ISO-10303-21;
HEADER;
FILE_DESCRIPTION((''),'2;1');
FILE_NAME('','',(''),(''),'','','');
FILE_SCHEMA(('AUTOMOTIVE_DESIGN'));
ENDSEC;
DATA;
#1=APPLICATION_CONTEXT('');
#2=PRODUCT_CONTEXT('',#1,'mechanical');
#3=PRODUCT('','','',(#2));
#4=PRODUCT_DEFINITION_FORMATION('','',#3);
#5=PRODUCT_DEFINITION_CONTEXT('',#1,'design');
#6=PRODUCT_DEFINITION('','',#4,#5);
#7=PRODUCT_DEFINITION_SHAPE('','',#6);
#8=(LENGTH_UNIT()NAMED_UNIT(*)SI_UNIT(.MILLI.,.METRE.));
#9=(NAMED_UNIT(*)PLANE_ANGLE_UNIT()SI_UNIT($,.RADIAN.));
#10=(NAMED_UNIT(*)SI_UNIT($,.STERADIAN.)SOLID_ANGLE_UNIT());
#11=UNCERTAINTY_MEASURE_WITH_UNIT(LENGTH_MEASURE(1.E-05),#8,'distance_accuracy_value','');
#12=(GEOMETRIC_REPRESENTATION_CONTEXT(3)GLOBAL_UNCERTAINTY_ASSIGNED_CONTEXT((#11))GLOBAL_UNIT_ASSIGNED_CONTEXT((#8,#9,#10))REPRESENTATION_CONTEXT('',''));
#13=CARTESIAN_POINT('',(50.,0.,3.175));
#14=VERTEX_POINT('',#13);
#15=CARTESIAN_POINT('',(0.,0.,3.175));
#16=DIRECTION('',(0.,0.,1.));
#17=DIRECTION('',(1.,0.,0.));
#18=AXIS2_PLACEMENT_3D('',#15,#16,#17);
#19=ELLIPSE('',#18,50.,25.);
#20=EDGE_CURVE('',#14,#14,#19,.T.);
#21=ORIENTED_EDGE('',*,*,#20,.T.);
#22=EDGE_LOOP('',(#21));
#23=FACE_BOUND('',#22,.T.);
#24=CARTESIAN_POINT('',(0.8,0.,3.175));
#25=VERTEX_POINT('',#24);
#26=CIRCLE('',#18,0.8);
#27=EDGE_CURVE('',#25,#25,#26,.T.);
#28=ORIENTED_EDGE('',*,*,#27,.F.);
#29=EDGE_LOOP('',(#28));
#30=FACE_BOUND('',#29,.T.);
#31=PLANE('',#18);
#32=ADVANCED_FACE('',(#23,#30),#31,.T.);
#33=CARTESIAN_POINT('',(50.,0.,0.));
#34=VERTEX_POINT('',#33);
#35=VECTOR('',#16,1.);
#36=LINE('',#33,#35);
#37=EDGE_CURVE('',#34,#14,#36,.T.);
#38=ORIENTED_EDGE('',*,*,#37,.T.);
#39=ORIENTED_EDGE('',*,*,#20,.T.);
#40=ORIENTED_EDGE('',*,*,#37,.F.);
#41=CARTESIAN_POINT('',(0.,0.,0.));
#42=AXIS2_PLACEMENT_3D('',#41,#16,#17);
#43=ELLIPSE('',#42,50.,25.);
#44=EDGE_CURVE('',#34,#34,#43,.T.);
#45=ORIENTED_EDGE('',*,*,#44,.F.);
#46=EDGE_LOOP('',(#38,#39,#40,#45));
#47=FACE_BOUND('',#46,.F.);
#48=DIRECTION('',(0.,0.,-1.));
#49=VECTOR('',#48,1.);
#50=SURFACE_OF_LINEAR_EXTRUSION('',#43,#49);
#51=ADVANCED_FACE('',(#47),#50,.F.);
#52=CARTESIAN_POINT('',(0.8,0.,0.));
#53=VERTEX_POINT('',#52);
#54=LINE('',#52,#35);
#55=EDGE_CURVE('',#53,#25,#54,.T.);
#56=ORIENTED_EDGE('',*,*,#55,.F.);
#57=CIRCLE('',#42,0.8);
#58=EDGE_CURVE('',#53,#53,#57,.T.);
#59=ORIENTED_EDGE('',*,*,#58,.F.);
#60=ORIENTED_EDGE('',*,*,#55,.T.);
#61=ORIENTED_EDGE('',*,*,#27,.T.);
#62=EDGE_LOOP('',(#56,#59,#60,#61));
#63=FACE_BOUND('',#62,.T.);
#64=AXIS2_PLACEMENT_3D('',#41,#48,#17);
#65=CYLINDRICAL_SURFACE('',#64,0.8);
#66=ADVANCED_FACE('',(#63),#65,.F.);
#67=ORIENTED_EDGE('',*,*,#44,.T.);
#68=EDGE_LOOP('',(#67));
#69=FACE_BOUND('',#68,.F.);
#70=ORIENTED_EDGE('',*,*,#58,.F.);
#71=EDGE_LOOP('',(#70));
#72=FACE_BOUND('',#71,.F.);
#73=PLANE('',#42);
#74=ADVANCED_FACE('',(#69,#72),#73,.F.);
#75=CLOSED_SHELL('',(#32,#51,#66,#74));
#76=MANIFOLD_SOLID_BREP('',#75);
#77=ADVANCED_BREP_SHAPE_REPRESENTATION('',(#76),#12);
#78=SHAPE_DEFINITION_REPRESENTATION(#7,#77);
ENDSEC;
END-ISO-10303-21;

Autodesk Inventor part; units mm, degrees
ref_plane "YZ Plane" through (0, 0, 0) normal (1, 0, 0) x (0, 1, 0)
ref_plane "XZ Plane" through (0, 0, 0) normal (0, 1, 0) x (-1, 0, 0)
ref_plane "XY Plane" through (0, 0, 0) normal (0, 0, 1) x (1, 0, 0)
sketch "Sketch1" plane through (0, 0, 0) normal (0, 0, 1) x (1, 0, 0)
  ellipse E0 centre (0, 0) end of major axis (0, -25) minor radius 50
  circle A0 centre (0, 0) radius 0.8
  dimension "d1" = 25
  dimension "d2" = 50
  dimension "d7" = 1.6
extrude "Extrusion1" add sketch "Sketch1" along normal blind 3.175
properties part number "arms front"
